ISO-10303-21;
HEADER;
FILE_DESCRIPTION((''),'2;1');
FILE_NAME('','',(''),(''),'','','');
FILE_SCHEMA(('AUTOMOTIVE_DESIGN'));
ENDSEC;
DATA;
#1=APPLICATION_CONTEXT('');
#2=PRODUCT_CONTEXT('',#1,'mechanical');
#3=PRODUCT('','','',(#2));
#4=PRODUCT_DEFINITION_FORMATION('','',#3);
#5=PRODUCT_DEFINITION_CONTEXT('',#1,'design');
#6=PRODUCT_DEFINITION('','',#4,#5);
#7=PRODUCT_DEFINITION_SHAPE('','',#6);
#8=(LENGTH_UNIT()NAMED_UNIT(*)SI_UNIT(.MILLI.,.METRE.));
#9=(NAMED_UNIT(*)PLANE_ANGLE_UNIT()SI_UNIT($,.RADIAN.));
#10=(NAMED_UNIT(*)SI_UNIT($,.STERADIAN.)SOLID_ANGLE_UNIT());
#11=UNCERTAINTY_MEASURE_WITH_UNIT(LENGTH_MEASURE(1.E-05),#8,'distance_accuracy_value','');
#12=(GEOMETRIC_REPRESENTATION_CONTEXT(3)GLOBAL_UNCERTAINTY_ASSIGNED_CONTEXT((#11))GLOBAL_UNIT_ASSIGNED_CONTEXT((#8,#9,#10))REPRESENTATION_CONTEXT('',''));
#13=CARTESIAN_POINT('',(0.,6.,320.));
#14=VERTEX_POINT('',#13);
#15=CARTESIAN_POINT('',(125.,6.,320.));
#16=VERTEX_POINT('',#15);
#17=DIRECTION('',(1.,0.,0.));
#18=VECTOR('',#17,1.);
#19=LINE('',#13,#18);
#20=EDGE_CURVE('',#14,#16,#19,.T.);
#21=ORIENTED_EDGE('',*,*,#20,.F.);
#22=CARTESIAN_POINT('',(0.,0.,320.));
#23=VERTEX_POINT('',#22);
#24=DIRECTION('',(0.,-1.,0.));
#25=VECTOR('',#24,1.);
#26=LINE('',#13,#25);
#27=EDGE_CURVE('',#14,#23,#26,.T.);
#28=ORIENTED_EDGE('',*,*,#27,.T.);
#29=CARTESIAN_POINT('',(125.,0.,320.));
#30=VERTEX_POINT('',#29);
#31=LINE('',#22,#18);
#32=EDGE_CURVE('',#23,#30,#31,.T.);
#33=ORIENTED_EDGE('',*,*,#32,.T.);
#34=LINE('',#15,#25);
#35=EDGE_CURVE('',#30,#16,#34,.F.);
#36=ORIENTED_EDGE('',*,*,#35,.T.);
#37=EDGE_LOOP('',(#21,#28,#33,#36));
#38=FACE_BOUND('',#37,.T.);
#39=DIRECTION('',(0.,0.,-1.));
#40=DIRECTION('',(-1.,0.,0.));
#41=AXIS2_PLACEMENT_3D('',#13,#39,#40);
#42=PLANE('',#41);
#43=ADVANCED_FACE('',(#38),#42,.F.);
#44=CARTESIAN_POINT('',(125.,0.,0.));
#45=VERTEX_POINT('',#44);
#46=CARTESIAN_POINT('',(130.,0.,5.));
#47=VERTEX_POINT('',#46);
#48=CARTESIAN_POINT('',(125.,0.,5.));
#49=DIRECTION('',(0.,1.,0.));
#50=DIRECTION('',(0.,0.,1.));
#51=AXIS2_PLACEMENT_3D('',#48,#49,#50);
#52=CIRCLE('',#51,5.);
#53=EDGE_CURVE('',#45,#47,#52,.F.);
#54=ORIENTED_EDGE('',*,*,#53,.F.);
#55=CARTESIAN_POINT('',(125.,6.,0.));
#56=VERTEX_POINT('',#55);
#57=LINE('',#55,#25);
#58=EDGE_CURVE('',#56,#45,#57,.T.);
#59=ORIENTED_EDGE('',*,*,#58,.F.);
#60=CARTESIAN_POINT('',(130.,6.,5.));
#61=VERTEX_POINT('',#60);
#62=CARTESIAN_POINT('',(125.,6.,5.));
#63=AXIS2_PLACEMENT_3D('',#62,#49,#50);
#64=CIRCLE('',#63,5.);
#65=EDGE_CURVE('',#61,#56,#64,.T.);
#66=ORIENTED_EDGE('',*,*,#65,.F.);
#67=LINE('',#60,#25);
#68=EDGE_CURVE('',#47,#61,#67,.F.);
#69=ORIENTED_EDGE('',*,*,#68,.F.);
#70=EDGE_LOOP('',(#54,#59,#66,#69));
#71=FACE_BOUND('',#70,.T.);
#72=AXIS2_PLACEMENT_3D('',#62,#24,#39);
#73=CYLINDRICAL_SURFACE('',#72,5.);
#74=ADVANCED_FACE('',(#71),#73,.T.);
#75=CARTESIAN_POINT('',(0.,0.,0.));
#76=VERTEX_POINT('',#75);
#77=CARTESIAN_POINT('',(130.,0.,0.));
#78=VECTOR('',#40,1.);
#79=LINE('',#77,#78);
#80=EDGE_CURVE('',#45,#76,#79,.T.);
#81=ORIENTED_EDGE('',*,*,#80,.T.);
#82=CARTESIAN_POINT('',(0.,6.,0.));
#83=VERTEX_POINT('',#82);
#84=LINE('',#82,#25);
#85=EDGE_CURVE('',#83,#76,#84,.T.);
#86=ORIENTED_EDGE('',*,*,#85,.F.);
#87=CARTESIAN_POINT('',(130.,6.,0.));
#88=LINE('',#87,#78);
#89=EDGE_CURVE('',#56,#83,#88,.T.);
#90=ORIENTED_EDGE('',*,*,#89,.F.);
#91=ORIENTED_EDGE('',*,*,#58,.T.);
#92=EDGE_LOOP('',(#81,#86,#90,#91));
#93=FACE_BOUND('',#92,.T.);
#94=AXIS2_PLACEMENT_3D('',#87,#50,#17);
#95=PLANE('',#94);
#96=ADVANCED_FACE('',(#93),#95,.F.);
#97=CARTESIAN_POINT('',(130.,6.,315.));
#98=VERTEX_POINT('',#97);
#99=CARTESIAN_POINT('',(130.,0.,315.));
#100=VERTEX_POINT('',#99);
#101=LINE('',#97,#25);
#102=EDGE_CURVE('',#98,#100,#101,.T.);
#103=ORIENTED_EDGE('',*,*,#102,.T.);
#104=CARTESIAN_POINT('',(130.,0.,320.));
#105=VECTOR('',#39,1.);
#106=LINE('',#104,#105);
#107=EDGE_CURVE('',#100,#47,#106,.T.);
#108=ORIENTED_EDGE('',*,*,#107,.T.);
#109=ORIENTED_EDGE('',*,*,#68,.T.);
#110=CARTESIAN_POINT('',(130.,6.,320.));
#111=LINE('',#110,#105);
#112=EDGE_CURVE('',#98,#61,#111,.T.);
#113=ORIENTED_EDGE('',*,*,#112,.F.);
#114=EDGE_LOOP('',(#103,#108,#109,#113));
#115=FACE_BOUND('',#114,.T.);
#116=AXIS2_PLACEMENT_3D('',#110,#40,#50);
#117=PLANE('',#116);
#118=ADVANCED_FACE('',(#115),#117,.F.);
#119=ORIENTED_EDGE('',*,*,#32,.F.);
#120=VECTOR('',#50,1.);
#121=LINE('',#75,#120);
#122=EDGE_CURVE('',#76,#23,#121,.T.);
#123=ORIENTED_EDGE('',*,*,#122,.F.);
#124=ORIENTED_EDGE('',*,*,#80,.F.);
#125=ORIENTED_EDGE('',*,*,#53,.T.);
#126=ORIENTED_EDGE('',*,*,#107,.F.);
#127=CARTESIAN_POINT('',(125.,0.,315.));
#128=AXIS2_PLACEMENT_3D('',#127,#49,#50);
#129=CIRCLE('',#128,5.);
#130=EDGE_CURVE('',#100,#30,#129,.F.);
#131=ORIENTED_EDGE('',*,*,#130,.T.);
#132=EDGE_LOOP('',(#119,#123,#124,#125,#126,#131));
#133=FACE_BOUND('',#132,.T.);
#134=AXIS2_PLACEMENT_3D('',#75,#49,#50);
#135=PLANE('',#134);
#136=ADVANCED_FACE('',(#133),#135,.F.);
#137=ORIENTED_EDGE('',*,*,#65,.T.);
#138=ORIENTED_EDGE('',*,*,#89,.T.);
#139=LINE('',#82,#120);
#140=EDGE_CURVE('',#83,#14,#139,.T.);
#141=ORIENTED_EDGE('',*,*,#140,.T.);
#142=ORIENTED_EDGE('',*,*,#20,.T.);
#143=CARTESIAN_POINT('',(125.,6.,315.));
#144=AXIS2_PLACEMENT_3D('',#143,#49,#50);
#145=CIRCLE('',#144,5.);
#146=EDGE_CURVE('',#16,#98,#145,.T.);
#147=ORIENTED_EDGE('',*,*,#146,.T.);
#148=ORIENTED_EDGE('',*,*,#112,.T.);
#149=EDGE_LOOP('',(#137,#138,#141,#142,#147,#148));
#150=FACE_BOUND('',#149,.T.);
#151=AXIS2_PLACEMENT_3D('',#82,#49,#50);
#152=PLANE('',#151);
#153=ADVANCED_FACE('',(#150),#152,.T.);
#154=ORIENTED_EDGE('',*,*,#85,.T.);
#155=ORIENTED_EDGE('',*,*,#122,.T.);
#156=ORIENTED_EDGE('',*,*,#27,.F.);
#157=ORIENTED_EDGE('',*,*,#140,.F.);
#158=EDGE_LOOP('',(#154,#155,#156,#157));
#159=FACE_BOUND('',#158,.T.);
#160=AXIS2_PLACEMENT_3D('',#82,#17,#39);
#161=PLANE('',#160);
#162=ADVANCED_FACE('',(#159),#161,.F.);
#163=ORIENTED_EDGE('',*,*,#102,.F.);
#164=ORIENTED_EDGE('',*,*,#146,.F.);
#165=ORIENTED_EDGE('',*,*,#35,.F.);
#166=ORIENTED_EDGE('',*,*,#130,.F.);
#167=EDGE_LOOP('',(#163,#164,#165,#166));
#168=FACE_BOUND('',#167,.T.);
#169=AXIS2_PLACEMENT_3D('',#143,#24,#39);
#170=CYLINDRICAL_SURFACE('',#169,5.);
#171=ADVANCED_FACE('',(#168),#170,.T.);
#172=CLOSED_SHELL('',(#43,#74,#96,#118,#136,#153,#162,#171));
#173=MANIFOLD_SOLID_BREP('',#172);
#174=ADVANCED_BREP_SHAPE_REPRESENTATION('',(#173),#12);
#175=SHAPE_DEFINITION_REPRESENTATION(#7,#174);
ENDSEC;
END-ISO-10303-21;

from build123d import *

# Parameters (mm, degrees)
SKETCH1_W           = 130
SKETCH1_H           = 320
BOSS_EXTRUDE1_DEPTH = 6
FILLET1_R           = 5


with BuildPart() as part:
    # Sketch1 → Boss-Extrude1 (new body)
    with BuildSketch(Plane(origin=(0, 0, 0), x_dir=(1, 0, 0), z_dir=(0, 1, 0))):
        with Locations((65, -160)):
            Rectangle(SKETCH1_W, SKETCH1_H)
    extrude(amount=BOSS_EXTRUDE1_DEPTH)

    # Fillet1
    fillet1_edges = [part.edges().sort_by_distance(p)[0] for p in [
        (130, 3, 0),
        (130, 3, 320),
    ]]
    fillet(fillet1_edges, radius=FILLET1_R)


solid = part.part
